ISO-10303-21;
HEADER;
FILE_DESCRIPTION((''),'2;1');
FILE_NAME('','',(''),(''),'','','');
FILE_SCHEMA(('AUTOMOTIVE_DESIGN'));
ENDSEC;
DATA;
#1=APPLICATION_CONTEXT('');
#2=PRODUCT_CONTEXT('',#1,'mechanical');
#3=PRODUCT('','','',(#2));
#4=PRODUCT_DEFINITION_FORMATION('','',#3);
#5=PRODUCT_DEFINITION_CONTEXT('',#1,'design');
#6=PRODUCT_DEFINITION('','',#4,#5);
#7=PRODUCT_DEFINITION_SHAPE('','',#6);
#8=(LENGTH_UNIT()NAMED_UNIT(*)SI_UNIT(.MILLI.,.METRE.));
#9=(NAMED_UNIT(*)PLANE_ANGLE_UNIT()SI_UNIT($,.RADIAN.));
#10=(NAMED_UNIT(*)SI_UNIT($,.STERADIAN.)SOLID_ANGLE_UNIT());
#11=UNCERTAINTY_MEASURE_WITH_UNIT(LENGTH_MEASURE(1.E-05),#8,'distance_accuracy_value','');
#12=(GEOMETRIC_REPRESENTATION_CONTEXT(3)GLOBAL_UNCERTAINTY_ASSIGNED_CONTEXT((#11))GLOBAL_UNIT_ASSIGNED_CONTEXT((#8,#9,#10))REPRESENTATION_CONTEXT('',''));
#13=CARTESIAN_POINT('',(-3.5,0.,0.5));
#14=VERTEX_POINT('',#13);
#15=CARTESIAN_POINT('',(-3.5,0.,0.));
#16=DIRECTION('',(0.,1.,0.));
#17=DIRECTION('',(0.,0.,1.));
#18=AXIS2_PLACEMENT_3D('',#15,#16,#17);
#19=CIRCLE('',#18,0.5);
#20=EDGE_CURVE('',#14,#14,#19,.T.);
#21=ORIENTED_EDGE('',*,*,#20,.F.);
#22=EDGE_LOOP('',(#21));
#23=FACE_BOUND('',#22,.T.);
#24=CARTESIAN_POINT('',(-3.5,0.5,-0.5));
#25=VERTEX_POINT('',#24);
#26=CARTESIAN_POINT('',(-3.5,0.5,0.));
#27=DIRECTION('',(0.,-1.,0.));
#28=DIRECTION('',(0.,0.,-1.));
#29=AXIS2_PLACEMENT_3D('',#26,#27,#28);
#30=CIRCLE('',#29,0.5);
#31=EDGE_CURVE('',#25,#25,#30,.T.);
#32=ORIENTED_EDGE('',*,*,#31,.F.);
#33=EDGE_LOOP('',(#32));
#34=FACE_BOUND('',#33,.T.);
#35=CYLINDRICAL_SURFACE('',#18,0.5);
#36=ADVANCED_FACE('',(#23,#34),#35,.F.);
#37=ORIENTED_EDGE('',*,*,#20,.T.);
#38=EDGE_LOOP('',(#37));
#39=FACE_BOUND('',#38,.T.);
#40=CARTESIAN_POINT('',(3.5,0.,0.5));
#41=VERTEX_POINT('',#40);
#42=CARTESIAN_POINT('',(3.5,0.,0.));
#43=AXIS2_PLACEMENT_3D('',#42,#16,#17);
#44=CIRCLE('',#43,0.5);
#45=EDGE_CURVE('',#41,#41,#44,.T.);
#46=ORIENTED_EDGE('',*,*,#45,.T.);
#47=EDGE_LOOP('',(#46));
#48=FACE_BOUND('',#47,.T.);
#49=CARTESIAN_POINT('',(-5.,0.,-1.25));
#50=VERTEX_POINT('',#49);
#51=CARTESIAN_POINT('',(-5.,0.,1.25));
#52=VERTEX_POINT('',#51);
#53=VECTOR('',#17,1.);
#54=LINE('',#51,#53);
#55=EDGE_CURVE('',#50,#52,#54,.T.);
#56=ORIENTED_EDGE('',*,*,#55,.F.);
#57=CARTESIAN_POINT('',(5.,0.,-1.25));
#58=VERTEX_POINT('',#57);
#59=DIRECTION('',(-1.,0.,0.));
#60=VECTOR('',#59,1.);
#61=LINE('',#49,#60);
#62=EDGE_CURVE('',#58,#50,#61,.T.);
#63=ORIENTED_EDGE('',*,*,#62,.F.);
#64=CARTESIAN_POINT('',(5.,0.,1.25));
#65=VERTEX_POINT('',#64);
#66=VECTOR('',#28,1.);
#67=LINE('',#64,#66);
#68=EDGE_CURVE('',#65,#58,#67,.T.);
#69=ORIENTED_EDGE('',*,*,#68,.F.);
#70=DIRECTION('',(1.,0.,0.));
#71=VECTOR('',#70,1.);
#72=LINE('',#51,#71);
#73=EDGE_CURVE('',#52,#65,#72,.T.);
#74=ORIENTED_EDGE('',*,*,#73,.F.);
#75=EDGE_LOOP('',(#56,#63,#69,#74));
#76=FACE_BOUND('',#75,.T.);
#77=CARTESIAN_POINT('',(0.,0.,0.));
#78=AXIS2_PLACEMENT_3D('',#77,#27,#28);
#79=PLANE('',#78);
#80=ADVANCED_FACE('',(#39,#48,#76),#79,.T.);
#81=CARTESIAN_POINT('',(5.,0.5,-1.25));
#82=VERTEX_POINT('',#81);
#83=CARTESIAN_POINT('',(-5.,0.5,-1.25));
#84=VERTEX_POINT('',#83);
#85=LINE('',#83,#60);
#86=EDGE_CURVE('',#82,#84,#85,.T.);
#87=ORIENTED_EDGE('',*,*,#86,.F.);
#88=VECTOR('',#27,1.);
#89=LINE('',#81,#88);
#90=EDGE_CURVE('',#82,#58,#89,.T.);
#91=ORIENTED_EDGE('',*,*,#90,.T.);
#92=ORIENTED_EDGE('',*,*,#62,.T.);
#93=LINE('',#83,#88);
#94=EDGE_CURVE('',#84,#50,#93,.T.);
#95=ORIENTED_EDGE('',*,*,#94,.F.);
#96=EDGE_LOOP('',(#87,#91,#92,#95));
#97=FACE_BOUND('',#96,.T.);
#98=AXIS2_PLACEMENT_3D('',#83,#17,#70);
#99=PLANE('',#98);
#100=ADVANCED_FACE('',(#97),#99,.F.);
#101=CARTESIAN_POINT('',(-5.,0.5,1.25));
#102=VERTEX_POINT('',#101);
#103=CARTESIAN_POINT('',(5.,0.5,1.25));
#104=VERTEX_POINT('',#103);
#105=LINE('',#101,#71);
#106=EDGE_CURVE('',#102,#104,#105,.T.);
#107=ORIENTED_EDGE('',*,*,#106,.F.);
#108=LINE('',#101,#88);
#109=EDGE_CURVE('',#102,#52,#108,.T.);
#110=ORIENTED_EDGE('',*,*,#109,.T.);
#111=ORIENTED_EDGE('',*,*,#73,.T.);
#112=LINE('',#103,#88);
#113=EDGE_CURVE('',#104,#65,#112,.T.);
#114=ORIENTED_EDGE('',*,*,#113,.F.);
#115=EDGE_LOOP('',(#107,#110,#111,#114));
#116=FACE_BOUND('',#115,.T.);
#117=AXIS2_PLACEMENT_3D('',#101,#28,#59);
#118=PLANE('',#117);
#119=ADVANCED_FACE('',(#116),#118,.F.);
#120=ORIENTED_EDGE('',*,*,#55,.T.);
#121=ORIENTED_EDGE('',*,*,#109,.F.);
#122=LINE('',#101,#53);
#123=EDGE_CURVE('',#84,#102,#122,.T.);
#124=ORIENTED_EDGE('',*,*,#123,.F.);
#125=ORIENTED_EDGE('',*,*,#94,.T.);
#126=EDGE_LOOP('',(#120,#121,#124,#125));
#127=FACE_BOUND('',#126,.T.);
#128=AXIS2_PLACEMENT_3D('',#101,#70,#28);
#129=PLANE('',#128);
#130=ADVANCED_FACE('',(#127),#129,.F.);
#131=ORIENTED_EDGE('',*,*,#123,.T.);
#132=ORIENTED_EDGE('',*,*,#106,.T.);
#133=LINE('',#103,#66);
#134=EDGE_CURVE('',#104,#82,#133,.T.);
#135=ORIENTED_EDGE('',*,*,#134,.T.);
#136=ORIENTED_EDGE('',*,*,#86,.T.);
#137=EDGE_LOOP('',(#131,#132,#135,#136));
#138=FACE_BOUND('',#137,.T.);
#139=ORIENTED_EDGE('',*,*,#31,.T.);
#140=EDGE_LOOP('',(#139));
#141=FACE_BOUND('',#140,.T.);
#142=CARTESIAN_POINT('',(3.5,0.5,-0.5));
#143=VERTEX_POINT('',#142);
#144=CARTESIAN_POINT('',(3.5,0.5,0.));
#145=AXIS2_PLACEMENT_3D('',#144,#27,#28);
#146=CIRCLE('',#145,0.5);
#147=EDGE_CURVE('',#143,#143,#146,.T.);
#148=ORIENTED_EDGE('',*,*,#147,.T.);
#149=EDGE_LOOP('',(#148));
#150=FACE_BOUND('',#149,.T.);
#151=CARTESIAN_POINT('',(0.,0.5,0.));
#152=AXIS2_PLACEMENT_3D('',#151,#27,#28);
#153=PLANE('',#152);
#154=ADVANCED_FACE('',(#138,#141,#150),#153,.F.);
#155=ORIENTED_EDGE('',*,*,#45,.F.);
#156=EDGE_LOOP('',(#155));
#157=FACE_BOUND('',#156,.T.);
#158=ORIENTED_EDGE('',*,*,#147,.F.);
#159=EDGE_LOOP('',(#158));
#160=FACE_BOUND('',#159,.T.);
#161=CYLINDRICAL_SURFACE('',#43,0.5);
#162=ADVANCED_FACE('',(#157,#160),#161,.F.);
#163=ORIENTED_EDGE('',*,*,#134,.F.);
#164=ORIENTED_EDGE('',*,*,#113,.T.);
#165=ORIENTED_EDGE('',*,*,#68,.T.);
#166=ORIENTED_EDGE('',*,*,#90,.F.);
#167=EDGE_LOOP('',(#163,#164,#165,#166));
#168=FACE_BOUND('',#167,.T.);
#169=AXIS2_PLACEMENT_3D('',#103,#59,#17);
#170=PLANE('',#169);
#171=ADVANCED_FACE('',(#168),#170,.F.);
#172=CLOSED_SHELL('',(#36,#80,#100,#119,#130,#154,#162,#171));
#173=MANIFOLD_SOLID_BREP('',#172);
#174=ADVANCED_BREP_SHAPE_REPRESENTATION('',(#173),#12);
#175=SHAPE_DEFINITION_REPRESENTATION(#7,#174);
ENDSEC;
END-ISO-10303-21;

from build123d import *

# Parameters (mm, degrees)
SKETCH2_W               = 10
SKETCH2_H               = 2.5
BOSS_EXTRUDE1_DEPTH     = 0.5
CUT_EXTRUDE1_DEPTH      = 6.178078794
CUT_EXTRUDE1_DEPTH_BACK = 6.178078794
SKETCH3_R               = 0.5


with BuildPart() as part:
    # Sketch2 → Boss-Extrude1 (new body)
    with BuildSketch(Plane(origin=(0, 0, 0), x_dir=(1, 0, 0), z_dir=(0, 1, 0))):
        Rectangle(SKETCH2_W, SKETCH2_H)
    extrude(amount=BOSS_EXTRUDE1_DEPTH)

    # Sketch3 → Cut-Extrude1 (cut, two sides: drawn at the far end of the back side and taken through both)
    with BuildSketch(Plane(origin=(0, 0.5, 0), x_dir=(1, 0, 0), z_dir=(0, 1, 0)).offset(-CUT_EXTRUDE1_DEPTH_BACK)):
        with Locations(Location((-3.5, 0, 0), (0, 0, 270))):
            Circle(SKETCH3_R)
        with Locations(Location((3.5, 0, 0), (0, 0, 270))):
            Circle(SKETCH3_R)
    extrude(amount=CUT_EXTRUDE1_DEPTH + CUT_EXTRUDE1_DEPTH_BACK, mode=Mode.SUBTRACT)


solid = part.part
